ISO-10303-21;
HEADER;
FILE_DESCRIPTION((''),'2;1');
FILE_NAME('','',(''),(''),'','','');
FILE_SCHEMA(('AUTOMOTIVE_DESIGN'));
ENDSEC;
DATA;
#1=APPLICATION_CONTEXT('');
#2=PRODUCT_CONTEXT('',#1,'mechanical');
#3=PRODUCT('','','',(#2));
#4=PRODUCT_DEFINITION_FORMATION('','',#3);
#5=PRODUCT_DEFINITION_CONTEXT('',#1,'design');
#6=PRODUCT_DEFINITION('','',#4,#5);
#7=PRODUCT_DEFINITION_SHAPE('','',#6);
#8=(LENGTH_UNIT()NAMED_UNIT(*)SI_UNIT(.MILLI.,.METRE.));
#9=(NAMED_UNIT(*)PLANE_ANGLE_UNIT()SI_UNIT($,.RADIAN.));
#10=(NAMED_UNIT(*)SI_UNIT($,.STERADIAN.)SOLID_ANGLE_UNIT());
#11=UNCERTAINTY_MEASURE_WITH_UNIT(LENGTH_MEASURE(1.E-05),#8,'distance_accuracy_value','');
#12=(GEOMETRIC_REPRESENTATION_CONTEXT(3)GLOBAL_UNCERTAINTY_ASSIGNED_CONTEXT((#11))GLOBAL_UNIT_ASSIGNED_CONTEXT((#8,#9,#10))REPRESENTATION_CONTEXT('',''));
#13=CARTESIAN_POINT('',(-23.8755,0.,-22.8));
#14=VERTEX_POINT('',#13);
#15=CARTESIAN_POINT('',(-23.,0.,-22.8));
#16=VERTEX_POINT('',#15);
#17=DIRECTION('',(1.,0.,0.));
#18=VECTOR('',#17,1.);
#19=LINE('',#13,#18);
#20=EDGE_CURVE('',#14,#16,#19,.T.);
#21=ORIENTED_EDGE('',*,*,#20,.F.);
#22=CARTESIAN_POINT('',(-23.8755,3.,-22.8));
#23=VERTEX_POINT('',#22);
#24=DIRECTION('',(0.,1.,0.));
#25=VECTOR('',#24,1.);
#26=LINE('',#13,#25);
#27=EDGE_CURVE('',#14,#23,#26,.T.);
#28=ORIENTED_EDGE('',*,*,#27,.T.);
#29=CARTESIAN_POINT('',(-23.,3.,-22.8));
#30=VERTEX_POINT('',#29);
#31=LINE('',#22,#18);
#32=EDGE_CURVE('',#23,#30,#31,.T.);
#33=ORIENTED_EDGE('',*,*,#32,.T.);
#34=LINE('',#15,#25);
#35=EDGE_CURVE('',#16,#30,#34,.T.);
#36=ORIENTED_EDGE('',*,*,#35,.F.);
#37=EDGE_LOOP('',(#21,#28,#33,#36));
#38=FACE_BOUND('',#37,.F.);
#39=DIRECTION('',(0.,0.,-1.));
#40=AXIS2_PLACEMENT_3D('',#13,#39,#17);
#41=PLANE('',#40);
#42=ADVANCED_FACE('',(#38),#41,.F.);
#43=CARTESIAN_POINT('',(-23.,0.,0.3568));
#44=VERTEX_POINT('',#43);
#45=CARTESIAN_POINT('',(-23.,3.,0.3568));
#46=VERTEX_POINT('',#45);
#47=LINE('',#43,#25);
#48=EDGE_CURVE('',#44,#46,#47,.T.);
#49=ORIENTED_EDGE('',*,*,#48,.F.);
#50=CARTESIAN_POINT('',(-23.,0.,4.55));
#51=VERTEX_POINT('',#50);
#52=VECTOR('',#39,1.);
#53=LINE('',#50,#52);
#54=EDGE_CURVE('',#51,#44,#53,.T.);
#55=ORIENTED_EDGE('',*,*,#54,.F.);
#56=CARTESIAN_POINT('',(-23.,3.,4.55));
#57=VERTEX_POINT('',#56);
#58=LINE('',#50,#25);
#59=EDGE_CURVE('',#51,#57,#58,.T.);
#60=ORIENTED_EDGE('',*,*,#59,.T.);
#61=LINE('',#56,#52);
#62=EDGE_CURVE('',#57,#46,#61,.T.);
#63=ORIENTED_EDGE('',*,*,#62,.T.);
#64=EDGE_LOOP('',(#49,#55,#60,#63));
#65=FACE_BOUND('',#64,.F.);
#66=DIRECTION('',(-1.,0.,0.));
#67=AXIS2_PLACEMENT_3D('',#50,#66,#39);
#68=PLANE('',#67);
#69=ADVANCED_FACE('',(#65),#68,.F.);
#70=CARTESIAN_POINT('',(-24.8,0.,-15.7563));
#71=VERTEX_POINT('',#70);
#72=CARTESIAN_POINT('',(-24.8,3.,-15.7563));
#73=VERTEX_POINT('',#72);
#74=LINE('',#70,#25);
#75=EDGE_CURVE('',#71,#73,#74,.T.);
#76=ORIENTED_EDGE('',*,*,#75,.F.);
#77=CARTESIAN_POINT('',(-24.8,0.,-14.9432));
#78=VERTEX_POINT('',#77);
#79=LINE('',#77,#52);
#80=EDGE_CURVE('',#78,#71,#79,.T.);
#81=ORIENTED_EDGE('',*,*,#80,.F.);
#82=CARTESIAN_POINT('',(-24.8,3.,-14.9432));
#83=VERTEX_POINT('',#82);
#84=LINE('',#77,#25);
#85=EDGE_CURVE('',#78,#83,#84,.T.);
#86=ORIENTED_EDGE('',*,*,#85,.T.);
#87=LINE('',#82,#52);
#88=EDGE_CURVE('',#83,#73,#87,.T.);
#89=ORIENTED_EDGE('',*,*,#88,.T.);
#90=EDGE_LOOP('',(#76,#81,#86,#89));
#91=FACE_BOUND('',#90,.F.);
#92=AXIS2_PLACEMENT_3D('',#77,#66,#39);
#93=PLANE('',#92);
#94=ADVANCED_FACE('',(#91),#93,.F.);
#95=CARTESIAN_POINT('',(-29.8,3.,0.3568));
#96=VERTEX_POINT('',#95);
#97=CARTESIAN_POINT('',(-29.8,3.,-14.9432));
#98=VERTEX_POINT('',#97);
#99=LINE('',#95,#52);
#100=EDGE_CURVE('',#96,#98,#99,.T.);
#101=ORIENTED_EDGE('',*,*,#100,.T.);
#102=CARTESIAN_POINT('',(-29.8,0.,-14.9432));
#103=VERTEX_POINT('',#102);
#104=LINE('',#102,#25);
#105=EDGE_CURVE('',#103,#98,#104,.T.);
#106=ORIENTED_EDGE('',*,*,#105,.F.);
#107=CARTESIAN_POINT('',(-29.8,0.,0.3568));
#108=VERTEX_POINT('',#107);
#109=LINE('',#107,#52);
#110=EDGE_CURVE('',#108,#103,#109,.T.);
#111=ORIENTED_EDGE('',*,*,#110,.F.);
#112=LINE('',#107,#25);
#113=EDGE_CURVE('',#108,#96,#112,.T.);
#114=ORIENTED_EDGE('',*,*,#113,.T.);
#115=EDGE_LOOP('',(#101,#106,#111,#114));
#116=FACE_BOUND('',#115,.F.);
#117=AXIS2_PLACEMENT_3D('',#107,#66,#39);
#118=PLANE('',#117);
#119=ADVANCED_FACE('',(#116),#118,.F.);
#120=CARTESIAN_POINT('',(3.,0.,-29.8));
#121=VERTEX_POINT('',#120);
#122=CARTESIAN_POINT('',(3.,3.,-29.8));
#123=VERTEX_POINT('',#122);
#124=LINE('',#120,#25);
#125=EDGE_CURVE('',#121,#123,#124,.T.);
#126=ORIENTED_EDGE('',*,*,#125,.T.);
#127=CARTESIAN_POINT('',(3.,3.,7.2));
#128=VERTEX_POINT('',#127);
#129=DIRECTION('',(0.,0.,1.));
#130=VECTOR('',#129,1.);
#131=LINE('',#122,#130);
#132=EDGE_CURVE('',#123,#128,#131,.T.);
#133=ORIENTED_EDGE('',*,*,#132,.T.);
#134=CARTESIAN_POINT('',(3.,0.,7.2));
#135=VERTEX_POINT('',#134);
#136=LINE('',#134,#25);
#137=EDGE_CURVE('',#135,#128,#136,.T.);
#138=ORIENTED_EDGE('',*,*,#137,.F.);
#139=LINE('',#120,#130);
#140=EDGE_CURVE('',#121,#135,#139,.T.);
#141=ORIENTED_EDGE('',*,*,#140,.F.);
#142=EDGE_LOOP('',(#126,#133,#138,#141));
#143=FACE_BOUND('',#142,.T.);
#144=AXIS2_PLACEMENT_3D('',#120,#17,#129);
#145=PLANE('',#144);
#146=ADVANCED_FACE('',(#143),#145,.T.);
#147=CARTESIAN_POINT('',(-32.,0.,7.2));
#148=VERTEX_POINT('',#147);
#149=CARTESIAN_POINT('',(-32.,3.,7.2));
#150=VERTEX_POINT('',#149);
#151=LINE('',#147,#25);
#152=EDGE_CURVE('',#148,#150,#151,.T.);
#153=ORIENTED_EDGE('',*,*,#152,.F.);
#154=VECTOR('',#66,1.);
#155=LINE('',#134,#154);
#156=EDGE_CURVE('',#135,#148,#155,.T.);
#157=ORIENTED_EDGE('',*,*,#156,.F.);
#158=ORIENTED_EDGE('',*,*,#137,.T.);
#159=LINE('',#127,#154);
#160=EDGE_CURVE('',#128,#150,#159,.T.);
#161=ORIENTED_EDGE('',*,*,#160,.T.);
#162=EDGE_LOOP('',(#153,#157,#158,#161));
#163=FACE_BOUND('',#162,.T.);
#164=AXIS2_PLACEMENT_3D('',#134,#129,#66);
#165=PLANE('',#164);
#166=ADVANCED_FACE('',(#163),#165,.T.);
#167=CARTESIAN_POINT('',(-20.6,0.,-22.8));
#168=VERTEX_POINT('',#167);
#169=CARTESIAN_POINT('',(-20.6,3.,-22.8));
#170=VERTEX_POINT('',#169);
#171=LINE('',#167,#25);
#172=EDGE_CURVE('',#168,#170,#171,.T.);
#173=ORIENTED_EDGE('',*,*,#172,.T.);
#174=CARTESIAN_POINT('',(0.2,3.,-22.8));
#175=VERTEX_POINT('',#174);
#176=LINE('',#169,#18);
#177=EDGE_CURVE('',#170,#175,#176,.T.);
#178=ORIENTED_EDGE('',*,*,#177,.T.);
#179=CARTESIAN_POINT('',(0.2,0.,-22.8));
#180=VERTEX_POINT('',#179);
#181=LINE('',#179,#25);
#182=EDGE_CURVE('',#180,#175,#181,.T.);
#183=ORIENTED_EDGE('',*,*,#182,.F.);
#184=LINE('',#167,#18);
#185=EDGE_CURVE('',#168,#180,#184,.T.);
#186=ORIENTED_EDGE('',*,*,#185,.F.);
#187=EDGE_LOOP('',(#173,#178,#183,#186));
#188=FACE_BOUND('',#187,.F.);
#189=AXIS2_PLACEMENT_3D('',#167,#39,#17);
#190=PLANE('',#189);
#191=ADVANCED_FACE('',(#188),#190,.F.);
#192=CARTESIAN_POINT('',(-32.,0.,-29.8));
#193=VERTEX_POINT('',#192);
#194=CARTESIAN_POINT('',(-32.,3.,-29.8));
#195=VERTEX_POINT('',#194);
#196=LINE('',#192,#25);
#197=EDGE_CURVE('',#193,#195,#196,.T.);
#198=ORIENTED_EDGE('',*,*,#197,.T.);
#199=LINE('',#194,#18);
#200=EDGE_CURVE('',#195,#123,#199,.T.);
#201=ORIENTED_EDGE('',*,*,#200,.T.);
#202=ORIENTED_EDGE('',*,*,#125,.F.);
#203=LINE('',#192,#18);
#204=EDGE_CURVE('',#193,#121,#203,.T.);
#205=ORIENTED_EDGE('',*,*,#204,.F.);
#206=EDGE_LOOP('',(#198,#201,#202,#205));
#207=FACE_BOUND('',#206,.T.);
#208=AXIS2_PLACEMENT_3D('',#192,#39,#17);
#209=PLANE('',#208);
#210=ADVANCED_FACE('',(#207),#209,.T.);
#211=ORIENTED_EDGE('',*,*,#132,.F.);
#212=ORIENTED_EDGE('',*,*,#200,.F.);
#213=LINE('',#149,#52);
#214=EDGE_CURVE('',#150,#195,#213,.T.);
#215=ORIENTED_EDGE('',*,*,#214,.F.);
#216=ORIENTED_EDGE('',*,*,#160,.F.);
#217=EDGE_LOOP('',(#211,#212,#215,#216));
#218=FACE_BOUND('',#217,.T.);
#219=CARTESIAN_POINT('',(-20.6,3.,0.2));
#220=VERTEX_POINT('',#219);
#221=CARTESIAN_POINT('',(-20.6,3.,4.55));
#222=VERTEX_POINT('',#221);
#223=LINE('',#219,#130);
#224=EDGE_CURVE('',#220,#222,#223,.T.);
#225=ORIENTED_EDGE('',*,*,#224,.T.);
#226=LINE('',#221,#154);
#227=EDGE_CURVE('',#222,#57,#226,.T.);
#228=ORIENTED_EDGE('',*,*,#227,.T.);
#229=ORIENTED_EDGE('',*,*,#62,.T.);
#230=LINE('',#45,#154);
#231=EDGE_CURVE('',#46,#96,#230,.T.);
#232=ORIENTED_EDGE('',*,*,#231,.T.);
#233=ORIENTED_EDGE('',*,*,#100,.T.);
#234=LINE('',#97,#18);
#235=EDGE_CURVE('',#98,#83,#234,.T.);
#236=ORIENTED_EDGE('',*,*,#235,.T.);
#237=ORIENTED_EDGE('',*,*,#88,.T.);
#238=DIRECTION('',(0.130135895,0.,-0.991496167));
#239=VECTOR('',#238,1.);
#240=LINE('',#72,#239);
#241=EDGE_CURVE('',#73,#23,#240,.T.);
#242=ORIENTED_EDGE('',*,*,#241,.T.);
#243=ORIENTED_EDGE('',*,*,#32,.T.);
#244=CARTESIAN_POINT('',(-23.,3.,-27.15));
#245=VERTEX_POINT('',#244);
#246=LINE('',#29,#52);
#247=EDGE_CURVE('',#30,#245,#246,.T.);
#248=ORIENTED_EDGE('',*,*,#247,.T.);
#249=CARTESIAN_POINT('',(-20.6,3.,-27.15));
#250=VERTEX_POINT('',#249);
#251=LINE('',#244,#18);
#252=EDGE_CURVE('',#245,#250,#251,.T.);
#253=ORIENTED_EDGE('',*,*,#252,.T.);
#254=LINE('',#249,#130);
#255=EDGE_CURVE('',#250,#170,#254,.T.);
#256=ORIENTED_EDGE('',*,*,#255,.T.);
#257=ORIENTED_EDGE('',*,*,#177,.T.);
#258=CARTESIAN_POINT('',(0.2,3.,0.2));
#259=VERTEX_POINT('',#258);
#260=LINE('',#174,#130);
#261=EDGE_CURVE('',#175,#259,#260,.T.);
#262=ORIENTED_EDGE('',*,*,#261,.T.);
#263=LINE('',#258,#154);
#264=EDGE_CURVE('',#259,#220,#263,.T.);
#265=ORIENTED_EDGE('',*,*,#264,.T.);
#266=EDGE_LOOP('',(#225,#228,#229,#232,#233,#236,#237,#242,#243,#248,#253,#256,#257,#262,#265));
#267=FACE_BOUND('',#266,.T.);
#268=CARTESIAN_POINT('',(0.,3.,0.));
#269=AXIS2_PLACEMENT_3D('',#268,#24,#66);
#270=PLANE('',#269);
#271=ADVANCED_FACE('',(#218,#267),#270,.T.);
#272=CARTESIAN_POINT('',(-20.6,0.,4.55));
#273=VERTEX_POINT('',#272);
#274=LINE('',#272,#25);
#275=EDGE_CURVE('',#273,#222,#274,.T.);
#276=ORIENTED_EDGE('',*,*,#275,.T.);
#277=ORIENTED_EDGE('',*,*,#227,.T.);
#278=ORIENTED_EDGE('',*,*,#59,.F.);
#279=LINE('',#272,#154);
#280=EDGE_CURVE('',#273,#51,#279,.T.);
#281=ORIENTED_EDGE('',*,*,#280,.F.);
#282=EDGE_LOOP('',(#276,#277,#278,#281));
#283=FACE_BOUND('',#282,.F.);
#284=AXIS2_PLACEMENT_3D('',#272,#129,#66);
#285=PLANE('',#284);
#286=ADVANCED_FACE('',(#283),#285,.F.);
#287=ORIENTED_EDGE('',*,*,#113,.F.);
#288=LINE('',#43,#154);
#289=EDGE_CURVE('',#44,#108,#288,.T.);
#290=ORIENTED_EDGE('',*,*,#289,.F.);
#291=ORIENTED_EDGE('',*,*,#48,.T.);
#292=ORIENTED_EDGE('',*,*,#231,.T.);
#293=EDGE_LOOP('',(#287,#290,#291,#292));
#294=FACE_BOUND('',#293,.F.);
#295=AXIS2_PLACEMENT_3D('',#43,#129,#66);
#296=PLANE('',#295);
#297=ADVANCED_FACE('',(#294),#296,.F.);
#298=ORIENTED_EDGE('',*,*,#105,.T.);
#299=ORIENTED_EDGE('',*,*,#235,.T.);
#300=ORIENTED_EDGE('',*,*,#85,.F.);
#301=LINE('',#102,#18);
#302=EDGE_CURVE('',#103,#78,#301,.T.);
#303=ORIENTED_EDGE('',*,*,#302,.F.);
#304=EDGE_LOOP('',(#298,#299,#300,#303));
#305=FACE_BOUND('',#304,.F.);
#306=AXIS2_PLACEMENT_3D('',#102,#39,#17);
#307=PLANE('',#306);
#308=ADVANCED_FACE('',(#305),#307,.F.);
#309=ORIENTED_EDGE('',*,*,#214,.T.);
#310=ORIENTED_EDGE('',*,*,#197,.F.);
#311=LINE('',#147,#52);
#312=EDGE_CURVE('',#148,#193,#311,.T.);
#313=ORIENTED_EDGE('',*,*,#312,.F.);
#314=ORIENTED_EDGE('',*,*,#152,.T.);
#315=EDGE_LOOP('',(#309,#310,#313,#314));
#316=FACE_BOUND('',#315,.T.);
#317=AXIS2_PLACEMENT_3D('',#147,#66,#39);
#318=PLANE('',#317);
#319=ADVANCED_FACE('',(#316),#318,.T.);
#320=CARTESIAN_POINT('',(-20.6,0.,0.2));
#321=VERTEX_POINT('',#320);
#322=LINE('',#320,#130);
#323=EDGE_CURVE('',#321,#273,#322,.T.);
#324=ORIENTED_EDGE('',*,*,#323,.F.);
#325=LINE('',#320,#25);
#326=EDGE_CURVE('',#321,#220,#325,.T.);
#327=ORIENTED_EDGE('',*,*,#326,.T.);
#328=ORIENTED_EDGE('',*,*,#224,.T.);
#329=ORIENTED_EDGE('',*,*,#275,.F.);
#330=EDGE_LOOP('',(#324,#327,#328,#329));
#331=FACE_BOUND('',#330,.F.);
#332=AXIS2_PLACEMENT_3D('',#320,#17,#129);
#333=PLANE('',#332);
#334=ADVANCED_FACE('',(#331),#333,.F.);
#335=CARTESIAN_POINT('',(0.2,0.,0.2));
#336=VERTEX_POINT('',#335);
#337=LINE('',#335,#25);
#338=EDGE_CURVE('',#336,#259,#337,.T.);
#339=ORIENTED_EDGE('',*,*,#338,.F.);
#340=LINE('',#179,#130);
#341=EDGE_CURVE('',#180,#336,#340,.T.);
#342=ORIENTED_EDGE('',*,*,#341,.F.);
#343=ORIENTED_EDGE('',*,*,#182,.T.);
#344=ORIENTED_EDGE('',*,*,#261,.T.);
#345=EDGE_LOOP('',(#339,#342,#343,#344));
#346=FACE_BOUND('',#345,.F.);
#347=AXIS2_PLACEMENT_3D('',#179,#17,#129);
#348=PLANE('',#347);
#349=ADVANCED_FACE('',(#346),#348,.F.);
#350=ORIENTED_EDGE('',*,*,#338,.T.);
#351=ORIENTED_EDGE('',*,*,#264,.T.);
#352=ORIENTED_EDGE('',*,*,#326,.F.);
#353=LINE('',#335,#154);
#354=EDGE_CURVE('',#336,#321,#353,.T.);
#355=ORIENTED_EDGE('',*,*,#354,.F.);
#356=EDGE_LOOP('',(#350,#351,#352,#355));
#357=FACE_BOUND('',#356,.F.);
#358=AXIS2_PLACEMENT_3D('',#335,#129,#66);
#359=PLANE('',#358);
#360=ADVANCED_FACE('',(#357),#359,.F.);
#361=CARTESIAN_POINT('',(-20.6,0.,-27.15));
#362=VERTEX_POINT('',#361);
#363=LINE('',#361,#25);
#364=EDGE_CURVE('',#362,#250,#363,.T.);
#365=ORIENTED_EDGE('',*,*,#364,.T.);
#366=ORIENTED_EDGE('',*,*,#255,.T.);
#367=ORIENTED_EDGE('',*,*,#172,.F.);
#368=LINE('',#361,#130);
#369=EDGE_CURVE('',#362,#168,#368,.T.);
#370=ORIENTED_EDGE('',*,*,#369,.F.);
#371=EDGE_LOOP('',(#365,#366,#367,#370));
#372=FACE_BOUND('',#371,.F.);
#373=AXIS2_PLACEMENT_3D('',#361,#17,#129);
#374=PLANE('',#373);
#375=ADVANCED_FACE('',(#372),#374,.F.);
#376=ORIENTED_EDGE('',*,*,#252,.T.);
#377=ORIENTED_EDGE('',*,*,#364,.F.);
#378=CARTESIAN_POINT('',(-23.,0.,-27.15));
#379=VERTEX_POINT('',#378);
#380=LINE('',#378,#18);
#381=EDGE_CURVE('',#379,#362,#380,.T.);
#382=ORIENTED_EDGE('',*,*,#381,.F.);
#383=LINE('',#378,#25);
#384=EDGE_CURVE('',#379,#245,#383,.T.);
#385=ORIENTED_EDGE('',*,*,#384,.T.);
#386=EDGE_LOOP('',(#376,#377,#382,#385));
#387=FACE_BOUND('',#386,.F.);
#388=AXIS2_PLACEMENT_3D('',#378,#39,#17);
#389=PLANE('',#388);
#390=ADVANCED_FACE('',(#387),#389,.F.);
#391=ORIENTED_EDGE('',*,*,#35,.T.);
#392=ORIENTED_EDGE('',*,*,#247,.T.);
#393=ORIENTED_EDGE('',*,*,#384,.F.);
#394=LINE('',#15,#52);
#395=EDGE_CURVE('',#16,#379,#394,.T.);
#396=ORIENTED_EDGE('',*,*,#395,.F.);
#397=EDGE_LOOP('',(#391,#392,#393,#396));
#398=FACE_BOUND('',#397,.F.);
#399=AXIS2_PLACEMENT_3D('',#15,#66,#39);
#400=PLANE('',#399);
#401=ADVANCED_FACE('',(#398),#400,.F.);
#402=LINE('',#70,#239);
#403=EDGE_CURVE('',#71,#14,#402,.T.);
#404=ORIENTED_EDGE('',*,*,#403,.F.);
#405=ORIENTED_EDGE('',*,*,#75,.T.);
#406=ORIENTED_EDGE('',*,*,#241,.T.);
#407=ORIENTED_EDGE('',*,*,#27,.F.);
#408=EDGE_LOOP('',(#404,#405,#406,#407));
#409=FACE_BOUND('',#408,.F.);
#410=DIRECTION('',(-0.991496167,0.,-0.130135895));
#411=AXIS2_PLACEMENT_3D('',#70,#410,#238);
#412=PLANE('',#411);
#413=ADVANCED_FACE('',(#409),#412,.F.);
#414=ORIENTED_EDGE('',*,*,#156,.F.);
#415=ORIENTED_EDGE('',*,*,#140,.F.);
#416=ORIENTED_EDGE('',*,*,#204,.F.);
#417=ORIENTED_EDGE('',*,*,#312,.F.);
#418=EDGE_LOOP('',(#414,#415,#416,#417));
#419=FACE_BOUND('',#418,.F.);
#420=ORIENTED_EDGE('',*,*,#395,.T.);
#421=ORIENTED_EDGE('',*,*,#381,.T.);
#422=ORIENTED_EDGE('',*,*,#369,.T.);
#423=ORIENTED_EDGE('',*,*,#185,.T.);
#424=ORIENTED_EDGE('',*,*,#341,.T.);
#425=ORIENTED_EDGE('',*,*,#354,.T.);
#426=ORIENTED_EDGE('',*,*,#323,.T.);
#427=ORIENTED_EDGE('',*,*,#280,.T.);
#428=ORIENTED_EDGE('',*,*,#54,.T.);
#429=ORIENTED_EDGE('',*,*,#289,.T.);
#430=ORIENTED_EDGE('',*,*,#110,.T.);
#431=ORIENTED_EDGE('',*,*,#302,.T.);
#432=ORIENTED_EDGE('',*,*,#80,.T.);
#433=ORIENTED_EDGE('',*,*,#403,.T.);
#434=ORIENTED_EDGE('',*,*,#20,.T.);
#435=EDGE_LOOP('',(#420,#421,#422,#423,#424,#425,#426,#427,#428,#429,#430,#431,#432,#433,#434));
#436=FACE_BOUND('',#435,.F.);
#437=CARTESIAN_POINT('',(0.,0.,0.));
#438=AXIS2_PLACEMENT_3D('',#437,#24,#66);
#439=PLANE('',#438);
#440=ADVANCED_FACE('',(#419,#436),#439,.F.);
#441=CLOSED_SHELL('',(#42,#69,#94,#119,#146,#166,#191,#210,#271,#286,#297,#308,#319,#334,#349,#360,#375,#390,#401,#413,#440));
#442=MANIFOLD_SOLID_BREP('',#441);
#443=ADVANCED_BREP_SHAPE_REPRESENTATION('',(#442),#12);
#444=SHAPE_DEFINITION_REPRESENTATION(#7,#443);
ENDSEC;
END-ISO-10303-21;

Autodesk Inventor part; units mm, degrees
ref_plane "YZ Plane" through (0, 0, 0) normal (1, 0, 0) x (0, 1, 0)
ref_plane "XZ Plane" through (0, 0, 0) normal (0, 1, 0) x (-1, 0, 0)
ref_plane "XY Plane" through (0, 0, 0) normal (0, 0, 1) x (1, 0, 0)
sketch "Sketch1" plane through (0, 0, 0) normal (0, 1, 0) x (-1, 0, 0)
  line L0 (0, 0) -> (20.8, 0)
  line L1 (20.8, 0) -> (20.8, -22.6) construction
  line L2 (20.8, -22.6) -> (0, -22.6)
  line L3 (0, -22.6) -> (0, 0)
  line L4 (22.8, 4.35) -> (20.8, 4.35)
  line L5 (20.8, -26.95) -> (22.8, -26.95)
  line L6 (24.6, 0.15) -> (24.6, -22.45) construction
  line L7 (29.6, -14.7432) -> (24.6, -14.7432)
  line L8 (24.6, -14.7432) -> (24.6, 0.15) construction
  line L9 (24.6, -14.7432) -> (22.8, -14.7432) construction
  line L10 (24.6, -15.7432) -> (22.8, -15.7432) construction
  line L11 (24.6, -15.7432) -> (23.7, -22.6)
  line L12 (0, 0) -> (0, 7.2) construction
  line L13 (0, 7.2) -> (-3, 7.2) construction
  line L14 (-3, 7.2) -> (32, 7.2)
  line L15 (32, 7.2) -> (32, -29.8)
  line L16 (32, -29.8) -> (-3, -29.8)
  line L17 (-3, -29.8) -> (-3, 7.2)
  line L18 (24.6, 0.15) -> (24.6, -15.7432) construction
  line L19 (22.8, -22.6) -> (23.7, -22.6)
  line L20 (22.8, 0.1568) -> (22.8, 4.35)
  line L21 (22.8, -26.95) -> (22.8, -22.6)
  line L22 (24.6, -14.7432) -> (24.6, -15.7432)
  line L23 (20.8, 4.35) -> (20.8, 0)
  line L24 (20.8, -22.6) -> (20.8, -26.95)
  line L25 (29.6, 0.1568) -> (29.6, -14.7432)
  line L26 (22.8, 0.1568) -> (29.6, 0.1568)
  line L27 (29.8, 0.3568) -> (29.8, -14.9432)
  line L28 (29.8, -14.9432) -> (24.8, -14.9432)
  line L29 (24.8, -14.9432) -> (24.8, -15.7563)
  line L30 (24.8, -15.7563) -> (23.8755, -22.8)
  line L31 (23.8755, -22.8) -> (23, -22.8)
  line L32 (23, -22.8) -> (23, -27.15)
  line L33 (23, -27.15) -> (20.6, -27.15)
  line L34 (20.6, -27.15) -> (20.6, -22.8)
  line L35 (20.6, -22.8) -> (-0.2, -22.8)
  line L36 (-0.2, -22.8) -> (-0.2, 0.2)
  line L37 (-0.2, 0.2) -> (20.6, 0.2)
  line L38 (20.6, 0.2) -> (20.6, 4.55)
  line L39 (20.6, 4.55) -> (23, 4.55)
  line L40 (23, 4.55) -> (23, 0.3568)
  line L41 (23, 0.3568) -> (29.8, 0.3568)
  point P0 (20.8, -11.3)
  dimension "d0" = 20.8
  dimension "d1" = 22.6
  dimension "d2" = 2
  dimension "d5" = 22.6
  dimension "d8" = 1
  dimension "d9" = 7.2
  dimension "d10" = 3
  dimension "d11" = 35
  dimension "d12" = 37
  dimension "d16" = 2
  dimension "d19" = 4.35
  dimension "d26" = 6.8
  dimension "d27" = 0.9
  dimension "d28" = 14.9
  dimension "d29" = 5
  dimension "d32" = 0.2
  dimension "d35" = 4.35
extrude "Extrusion5" add sketch "Sketch1" along normal blind 3 contours L14 L15 L16 L17
properties part number "flipper_robot_v2_servo_side_profile"
